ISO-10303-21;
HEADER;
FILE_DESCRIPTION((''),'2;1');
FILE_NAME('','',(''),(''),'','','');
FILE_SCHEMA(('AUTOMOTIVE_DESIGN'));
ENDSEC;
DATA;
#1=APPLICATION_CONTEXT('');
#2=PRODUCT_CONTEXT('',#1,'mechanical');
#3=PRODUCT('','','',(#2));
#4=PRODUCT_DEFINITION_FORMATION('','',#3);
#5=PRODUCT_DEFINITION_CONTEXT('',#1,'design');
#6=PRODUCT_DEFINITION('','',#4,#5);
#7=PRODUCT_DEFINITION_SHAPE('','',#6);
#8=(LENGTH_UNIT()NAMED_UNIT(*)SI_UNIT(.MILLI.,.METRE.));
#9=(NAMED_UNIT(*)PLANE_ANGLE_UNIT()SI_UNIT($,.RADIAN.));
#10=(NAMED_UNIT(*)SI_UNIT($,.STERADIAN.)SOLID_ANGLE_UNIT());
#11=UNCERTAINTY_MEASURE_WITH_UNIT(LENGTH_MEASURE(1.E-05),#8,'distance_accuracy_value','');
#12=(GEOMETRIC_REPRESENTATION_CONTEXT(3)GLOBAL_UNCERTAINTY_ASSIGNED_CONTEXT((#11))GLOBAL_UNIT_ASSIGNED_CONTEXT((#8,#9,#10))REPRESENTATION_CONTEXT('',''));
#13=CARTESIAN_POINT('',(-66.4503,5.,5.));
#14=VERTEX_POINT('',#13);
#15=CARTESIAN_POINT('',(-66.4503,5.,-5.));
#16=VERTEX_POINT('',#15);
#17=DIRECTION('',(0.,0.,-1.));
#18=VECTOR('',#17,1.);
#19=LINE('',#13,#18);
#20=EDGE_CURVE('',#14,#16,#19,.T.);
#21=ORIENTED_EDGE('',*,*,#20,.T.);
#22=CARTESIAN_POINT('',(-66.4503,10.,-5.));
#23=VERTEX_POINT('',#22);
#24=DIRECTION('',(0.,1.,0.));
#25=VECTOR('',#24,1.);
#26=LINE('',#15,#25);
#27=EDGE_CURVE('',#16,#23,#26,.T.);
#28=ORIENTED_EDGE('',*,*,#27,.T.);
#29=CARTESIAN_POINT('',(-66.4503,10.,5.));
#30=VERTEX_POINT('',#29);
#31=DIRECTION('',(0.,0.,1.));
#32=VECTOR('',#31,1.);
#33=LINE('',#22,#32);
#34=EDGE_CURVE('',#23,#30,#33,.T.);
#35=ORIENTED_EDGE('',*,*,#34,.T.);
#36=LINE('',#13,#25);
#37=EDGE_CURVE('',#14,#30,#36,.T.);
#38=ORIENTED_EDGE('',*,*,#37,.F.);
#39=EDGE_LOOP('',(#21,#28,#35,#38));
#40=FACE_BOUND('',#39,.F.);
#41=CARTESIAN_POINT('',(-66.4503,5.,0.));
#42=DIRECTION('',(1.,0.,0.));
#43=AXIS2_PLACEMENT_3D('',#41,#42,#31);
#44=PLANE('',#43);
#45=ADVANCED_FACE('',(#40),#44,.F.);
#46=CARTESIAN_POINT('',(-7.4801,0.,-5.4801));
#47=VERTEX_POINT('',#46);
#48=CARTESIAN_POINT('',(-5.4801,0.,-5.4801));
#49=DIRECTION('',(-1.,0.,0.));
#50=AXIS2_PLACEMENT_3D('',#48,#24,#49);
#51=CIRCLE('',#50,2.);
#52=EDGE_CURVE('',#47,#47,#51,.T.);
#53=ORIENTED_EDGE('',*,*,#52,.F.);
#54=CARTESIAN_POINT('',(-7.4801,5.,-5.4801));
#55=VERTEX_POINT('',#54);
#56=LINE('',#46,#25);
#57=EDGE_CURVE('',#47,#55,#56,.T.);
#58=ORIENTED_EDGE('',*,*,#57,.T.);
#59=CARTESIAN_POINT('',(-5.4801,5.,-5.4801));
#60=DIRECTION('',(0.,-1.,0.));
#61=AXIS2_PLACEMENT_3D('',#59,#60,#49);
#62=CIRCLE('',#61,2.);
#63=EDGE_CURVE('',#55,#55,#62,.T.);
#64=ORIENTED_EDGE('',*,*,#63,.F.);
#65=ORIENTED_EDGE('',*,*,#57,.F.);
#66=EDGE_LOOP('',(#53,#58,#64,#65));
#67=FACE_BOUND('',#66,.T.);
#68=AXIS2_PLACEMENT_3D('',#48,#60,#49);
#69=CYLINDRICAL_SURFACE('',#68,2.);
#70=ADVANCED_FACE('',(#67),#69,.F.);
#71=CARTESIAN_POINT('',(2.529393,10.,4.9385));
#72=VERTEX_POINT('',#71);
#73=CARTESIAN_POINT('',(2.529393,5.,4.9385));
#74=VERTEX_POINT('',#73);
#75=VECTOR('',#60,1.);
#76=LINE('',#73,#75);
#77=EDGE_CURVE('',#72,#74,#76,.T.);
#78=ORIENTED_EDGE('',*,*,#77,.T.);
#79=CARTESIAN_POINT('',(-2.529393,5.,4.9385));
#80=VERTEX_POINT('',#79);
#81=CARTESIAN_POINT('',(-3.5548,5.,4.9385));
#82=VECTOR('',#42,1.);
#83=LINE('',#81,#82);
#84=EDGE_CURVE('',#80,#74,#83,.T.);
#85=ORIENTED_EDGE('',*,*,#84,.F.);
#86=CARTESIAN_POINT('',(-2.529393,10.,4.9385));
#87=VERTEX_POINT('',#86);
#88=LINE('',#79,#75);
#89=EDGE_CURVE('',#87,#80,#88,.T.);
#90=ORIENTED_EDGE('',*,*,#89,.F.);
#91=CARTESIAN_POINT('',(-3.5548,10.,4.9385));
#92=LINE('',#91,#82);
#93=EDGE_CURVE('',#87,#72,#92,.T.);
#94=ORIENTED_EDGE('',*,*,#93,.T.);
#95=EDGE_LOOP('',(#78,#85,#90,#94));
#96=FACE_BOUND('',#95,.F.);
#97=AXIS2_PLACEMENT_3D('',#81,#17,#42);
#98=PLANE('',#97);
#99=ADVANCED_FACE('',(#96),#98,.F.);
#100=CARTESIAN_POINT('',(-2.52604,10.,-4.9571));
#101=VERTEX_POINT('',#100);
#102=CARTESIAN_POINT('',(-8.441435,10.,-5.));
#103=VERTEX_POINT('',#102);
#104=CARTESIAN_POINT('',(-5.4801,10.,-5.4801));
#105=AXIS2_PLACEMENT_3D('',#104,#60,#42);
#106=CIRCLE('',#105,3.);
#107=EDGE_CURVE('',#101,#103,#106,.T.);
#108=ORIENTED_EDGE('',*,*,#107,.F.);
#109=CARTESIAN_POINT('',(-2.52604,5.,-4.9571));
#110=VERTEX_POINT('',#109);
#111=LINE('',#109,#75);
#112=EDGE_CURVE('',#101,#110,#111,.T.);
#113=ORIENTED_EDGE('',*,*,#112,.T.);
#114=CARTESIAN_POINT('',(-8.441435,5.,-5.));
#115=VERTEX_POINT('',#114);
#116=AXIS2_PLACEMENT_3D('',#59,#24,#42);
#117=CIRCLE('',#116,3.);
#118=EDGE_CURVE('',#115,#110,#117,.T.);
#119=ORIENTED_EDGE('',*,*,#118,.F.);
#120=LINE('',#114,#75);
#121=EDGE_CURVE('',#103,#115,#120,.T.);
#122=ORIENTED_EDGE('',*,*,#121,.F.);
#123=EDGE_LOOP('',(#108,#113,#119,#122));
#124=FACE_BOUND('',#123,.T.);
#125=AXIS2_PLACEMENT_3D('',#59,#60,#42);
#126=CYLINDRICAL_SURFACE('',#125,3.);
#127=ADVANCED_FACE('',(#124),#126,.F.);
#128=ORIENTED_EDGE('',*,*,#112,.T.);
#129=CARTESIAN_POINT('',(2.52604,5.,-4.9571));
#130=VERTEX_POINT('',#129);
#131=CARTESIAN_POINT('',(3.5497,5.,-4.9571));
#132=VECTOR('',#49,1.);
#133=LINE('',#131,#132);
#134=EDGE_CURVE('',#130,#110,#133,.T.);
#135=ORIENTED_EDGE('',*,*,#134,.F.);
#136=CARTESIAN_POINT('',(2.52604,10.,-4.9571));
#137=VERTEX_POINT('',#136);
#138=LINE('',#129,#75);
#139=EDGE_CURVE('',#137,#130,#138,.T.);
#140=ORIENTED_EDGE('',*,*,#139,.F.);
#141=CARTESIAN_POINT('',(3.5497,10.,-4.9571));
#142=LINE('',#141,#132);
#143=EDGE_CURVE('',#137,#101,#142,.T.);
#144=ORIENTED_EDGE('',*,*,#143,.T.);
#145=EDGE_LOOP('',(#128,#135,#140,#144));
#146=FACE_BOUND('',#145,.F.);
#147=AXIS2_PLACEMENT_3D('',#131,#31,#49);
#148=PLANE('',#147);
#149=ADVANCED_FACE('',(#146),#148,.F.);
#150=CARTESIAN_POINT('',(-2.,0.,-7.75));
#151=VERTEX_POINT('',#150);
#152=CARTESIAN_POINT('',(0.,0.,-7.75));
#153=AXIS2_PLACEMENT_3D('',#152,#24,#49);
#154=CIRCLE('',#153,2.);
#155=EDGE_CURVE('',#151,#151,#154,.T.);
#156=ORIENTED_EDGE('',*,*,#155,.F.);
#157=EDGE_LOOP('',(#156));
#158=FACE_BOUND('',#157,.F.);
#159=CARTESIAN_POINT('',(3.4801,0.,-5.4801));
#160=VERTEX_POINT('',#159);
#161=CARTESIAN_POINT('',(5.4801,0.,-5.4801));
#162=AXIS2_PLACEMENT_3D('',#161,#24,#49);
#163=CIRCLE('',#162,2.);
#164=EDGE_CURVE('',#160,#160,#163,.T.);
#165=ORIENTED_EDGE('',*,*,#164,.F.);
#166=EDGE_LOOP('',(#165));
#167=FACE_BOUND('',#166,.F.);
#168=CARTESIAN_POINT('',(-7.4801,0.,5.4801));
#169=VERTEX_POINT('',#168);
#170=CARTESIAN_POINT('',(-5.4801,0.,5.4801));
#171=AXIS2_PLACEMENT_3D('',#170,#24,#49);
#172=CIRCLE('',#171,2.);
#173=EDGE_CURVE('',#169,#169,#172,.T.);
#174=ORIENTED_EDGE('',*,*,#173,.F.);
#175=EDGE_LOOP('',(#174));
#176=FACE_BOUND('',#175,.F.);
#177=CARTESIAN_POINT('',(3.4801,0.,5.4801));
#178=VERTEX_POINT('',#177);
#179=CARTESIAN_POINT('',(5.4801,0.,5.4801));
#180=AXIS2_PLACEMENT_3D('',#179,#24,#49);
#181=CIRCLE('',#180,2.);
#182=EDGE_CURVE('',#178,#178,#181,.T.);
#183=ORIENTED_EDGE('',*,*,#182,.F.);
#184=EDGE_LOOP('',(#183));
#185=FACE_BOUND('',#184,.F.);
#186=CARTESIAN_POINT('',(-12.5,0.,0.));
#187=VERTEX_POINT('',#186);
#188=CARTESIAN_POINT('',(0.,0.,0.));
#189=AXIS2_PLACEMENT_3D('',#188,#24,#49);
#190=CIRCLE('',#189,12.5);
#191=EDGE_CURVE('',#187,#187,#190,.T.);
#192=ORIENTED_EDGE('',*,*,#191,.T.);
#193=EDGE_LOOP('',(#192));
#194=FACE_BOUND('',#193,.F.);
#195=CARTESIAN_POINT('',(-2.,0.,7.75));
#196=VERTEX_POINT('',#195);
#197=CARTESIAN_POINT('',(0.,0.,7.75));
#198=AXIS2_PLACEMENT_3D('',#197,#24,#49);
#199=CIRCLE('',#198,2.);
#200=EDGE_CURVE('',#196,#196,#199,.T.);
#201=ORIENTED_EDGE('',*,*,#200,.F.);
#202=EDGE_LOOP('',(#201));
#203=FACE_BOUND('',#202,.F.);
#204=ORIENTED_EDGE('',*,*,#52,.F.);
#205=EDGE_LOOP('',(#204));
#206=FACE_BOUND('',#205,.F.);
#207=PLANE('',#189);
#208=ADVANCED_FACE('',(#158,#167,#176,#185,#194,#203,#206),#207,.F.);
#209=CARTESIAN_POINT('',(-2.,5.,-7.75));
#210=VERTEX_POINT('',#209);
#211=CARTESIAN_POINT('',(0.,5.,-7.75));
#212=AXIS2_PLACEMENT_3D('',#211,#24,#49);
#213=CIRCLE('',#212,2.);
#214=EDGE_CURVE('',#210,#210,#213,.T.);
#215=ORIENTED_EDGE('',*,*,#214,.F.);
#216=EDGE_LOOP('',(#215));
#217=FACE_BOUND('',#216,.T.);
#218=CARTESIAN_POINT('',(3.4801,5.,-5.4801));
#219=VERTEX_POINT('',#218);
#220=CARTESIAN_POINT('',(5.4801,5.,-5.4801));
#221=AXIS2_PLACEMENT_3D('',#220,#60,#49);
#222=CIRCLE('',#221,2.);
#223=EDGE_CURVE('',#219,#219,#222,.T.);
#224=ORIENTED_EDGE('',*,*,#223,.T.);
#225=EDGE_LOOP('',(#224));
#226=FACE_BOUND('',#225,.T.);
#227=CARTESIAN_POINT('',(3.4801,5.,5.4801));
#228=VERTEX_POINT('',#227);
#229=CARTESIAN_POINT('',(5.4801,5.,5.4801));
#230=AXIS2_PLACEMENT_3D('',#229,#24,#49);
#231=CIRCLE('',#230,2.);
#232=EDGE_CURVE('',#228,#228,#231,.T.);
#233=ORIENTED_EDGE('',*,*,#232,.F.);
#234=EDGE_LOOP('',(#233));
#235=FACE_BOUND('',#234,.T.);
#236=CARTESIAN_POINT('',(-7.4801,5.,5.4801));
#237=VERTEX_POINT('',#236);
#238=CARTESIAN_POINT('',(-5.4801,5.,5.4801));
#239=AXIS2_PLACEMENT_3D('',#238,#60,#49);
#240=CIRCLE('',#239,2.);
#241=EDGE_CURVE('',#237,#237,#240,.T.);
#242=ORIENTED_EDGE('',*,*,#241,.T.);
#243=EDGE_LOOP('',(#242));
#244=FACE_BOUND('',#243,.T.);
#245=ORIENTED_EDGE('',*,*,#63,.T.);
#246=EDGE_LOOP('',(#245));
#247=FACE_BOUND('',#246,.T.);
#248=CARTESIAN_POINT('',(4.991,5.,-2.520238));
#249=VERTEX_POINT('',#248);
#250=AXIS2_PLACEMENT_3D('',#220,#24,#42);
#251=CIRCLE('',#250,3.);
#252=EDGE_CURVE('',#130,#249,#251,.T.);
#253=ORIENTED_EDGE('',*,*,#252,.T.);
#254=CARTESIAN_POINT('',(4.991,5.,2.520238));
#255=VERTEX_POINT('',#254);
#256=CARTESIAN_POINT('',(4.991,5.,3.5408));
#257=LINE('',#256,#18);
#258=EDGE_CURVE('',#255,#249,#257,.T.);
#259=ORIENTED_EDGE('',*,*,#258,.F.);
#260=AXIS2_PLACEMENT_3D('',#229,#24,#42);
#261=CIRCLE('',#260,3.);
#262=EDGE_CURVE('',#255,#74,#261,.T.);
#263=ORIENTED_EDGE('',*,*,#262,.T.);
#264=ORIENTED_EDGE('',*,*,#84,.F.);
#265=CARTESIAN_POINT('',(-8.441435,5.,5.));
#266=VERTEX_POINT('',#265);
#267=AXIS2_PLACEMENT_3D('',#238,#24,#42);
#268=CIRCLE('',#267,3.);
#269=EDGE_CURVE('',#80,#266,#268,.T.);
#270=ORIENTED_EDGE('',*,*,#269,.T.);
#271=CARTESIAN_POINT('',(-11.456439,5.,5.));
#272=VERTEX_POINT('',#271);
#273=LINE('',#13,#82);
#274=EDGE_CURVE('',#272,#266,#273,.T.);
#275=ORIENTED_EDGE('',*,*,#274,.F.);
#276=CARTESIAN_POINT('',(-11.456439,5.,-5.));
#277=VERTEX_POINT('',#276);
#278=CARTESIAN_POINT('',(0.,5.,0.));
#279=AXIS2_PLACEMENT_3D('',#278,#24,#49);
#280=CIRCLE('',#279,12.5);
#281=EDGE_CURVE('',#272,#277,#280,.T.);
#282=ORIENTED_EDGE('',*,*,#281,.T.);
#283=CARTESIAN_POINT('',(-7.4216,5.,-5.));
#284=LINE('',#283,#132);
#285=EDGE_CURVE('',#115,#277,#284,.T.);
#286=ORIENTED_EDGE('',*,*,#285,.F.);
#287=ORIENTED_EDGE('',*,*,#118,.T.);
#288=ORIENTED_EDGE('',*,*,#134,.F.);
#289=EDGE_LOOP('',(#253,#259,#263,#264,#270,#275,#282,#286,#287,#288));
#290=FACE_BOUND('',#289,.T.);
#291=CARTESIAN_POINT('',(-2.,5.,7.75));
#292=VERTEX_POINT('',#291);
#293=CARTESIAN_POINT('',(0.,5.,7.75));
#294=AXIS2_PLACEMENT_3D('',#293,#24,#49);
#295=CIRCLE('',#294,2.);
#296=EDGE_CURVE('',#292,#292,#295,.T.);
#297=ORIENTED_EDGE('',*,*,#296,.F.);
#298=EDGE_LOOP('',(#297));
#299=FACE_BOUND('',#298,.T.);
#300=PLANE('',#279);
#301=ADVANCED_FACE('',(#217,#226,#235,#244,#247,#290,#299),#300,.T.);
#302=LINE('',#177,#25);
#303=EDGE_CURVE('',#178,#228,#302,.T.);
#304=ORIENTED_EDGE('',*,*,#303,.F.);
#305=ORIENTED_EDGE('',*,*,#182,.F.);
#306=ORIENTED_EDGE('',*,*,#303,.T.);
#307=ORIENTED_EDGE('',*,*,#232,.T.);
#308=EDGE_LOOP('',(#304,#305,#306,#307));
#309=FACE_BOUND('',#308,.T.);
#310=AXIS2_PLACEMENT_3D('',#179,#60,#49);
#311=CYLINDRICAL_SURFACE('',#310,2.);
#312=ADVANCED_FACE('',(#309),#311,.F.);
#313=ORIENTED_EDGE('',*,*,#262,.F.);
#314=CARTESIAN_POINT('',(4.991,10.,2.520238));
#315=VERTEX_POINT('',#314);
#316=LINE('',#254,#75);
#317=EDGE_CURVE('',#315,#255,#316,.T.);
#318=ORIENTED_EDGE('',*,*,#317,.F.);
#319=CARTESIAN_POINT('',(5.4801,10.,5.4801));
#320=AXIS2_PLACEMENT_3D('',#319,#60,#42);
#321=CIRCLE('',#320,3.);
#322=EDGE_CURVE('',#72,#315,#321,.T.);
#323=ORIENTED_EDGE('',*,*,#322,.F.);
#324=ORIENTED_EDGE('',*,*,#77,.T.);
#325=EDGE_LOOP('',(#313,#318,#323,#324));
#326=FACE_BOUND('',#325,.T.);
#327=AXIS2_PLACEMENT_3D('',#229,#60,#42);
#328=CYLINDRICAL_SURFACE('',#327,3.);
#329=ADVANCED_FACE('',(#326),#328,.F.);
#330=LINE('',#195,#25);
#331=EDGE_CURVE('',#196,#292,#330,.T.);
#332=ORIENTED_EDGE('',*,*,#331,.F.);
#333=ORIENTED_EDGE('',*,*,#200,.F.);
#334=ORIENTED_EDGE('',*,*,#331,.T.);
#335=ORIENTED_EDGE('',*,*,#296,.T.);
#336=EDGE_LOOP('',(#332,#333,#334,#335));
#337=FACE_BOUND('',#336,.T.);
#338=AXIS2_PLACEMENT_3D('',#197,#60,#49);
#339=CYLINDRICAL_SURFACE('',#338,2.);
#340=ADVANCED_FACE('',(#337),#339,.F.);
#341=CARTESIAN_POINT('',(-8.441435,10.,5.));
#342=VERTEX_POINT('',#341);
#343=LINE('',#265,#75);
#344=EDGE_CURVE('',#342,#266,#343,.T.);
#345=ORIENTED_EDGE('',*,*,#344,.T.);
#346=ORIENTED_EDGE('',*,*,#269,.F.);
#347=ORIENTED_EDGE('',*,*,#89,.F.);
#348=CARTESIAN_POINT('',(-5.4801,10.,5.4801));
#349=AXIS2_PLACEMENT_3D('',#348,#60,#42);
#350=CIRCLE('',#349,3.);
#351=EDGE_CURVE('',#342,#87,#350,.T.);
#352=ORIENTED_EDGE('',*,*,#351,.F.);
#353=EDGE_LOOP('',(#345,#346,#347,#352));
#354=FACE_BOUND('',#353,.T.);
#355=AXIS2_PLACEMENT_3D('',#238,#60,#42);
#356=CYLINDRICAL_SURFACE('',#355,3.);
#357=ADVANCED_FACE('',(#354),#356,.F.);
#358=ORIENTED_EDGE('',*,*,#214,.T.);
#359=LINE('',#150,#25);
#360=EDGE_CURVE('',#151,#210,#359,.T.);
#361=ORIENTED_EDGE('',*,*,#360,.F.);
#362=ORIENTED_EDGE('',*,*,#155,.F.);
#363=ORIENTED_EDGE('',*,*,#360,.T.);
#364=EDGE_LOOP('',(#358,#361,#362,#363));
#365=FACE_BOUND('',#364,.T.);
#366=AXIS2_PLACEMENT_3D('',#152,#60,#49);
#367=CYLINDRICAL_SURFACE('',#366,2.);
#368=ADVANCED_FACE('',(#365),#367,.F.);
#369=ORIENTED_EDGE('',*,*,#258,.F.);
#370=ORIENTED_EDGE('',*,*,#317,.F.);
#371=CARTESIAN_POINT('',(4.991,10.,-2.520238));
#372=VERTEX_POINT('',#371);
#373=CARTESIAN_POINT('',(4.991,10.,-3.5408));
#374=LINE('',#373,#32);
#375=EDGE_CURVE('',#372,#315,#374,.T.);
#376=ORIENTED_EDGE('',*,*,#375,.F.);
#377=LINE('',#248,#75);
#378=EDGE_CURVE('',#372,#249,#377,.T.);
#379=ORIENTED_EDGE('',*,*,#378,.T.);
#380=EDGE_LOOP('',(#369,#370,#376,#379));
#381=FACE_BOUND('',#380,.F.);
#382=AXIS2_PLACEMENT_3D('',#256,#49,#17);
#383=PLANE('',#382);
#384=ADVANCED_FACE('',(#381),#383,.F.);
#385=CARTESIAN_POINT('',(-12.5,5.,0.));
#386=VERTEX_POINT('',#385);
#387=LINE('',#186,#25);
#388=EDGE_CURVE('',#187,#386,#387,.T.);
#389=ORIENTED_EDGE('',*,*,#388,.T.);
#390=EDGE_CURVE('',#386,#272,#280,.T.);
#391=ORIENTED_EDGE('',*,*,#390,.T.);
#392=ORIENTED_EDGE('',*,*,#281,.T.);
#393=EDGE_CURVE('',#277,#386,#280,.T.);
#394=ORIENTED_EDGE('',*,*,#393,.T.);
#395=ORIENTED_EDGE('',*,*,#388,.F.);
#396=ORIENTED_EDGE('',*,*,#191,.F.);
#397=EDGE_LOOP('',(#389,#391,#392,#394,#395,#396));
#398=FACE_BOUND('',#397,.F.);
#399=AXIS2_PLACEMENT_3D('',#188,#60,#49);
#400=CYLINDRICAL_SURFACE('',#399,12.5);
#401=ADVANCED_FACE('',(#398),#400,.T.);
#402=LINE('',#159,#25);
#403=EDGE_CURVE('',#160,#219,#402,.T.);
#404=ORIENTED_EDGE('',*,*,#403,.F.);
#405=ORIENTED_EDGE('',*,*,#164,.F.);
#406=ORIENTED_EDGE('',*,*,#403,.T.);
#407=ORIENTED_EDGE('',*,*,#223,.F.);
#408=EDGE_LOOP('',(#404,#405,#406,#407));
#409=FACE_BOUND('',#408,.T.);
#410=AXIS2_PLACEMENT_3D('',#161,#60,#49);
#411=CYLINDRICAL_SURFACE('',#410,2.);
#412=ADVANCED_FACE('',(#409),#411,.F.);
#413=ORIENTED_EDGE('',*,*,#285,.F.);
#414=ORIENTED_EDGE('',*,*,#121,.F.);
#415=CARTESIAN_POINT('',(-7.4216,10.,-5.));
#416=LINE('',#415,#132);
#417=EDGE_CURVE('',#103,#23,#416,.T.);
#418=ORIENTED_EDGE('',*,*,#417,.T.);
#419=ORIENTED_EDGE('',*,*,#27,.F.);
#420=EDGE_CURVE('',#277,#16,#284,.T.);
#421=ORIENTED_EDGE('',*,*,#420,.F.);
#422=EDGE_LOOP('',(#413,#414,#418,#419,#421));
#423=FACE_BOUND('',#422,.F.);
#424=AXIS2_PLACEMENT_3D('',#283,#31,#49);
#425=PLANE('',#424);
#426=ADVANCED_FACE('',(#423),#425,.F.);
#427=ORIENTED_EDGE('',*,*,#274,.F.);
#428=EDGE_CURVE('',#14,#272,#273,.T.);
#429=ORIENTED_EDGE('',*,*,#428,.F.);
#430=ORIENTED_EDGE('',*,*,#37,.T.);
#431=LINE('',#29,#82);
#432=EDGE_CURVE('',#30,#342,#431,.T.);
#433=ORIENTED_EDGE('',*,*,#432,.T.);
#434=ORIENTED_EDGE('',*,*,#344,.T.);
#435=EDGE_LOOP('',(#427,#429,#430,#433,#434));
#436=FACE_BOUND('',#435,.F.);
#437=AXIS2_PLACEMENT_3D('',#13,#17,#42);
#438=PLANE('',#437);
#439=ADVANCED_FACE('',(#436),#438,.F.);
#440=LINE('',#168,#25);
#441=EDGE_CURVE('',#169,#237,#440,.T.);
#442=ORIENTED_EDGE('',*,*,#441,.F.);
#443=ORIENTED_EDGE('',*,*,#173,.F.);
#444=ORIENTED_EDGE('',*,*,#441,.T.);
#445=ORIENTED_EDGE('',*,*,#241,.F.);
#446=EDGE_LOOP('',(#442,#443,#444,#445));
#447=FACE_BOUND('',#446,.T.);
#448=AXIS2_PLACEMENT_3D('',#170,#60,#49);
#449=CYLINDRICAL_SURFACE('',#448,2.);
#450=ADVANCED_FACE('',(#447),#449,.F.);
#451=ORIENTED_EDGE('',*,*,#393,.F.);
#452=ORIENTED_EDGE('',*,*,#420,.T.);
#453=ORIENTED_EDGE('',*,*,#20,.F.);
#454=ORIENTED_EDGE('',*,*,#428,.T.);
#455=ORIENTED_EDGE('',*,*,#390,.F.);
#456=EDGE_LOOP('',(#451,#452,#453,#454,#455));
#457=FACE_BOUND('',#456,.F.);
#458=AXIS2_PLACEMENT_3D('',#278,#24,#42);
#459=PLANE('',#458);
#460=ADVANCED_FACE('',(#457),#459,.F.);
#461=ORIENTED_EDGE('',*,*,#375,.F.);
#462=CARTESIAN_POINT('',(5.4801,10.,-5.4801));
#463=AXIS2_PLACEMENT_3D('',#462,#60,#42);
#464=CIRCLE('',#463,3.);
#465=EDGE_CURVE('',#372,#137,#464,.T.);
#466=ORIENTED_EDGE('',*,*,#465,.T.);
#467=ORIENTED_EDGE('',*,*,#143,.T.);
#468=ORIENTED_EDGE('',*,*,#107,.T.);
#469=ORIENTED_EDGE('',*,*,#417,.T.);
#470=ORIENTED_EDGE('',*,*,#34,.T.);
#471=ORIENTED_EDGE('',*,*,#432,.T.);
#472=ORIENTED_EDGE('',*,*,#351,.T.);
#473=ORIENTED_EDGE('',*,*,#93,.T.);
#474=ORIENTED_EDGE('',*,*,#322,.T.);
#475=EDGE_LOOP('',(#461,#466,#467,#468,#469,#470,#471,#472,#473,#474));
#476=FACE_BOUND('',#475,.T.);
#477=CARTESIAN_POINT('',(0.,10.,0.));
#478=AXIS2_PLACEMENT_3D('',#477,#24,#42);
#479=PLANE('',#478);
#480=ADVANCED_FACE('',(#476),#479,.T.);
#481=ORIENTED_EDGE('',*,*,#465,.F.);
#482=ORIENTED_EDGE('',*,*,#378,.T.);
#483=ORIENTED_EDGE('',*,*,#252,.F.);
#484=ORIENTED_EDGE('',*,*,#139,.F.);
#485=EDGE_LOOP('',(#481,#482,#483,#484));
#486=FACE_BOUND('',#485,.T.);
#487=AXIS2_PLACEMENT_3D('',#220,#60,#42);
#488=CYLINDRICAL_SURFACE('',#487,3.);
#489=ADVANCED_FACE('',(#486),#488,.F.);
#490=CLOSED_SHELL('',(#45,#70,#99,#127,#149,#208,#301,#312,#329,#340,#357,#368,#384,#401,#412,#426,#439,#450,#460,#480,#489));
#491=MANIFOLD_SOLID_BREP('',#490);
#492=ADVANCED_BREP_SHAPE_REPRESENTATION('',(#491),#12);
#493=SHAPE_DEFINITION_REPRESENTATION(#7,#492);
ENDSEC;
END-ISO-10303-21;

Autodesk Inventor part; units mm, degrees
ref_plane "YZ Plane" through (0, 0, 0) normal (1, 0, 0) x (0, 1, 0)
ref_plane "XZ Plane" through (0, 0, 0) normal (0, 1, 0) x (-1, 0, 0)
ref_plane "XY Plane" through (0, 0, 0) normal (0, 0, 1) x (1, 0, 0)
sketch "Sketch1" plane through (0, 0, 0) normal (0, 1, 0) x (-1, 0, 0)
  circle A0 centre (0, 0) radius 12.5
  line L0 (0, 0) -> (7.75, 0) construction
  circle A1 centre (5.4801, -5.4801) radius 2
  circle A2 centre (-5.4801, -5.4801) radius 2
  circle A3 centre (-5.4801, 5.4801) radius 2
  circle A4 centre (5.4801, 5.4801) radius 2
  circle A5 centre (0, -7.75) radius 2
  circle A6 centre (0, 7.75) radius 2
  dimension "d0" = 25
  dimension "d3" = 4
  dimension "d6" = 360
  dimension "d8" = 4
  dimension "d11" = 360
extrude "Extrusion1" add sketch "Sketch1" along normal blind 5
sketch "Sketch2" plane through (0, 5, 0) normal (0, 1, 0) x (1, 0, 0)
  line L0 (4.991, -3.5408) -> (4.991, 3.5408)
  line L1 (-66.4503, 5) -> (-66.4503, -5)
  line L2 (4.991, -4.9385) -> (14.991, -4.9385) construction
  line L3 (-82.7386, 0) -> (31.2793, 0) projected
  arc A0 (-3.5548, -4.9385) -> (-7.4216, -5) centre (-5.4801, -5.4801) ccw
  line L4 (-66.4503, -5) -> (-7.4216, -5)
  line L5 (-3.5548, -4.9385) -> (3.5548, -4.9385)
  circle A1 centre (-5.4801, 5.4801) radius 2 projected
  arc A2 (-7.4216, 5) -> (-3.5497, 4.9571) centre (-5.4801, 5.4801) ccw
  line L6 (3.5497, 4.9571) -> (-3.5497, 4.9571)
  line L7 (-7.4216, 5) -> (-66.4503, 5)
  arc A3 (4.991, -3.5408) -> (3.5548, -4.9385) centre (5.4801, -5.4801) ccw
  circle A4 centre (5.4801, 5.4801) radius 2 projected
  arc A5 (3.5497, 4.9571) -> (4.991, 3.5408) centre (5.4801, 5.4801) ccw
  dimension "d24" = 10
  dimension "d25" = 90
  dimension "d26" = 70
  dimension "d27" = 4
  dimension "d28" = 4
  dimension "d29" = 4
  dimension "d30" = 4
extrude "Extrusion2" add sketch "Sketch2" along normal blind 5 contours A3 L5 A0 L4 L1 L3 L0 | L3 L1 L7 A1 L6 A4 L0
sketch "Sketch4" plane through (0, 10, 0) normal (0, 1, 0) x (1, 0, 0)
  line L0 (-3.5548, -4.9385) -> (3.5548, -4.9385) projected
  line L1 (-3.5548, -4.9385) -> (3.5548, -4.9385)
  line L2 (3.5497, 4.9571) -> (-3.5497, 4.9571) projected
  line L3 (-3.5497, 4.9571) -> (3.5497, 4.9571)
  line L4 (-4.4956, -10.2074) -> (2.6201, -10.2074)
  point P0 (0, 0)
sketch "Sketch8" plane through (0, 5, 0) normal (0, 1, 0) x (1, 0, 0)
  circle A0 centre (-5.4801, 5.4801) radius 2 projected
  circle A1 centre (-5.4801, 5.4801) radius 3
  circle A2 centre (-5.4801, -5.4801) radius 2 projected
  circle A3 centre (-5.4801, -5.4801) radius 3
  circle A4 centre (5.4801, 5.4801) radius 2 projected
  circle A5 centre (5.4801, 5.4801) radius 3
  arc A6 (3.5548, -4.9385) -> (4.991, -3.5408) centre (5.4801, -5.4801) ccw projected
  circle A7 centre (5.4801, -5.4801) radius 3
  point P0 (0, 0)
  dimension "d50" = 6
  dimension "d51" = 6
  dimension "d52" = 6
  dimension "d53" = 6
extrude "Extrusion6" cut sketch "Sketch8" along normal blind 39.25 contours A0 | A1 | A2 | A3 | A4 | A5 | A7
sketch "Sketch33" plane through (0, 10, 0) normal (0, 1, 0) x (1, 0, 0)
  line L0 (-2.5294, -4.9385) -> (2.5294, -4.9385) projected
  arc A0 (-8.4414, 5) -> (-2.526, 4.9571) centre (-5.4801, 5.4801) ccw projected
  line L1 (-2.5294, -4.9385) -> (-2.526, 4.9571)
  line L2 (-2.526, 4.9571) -> (-2.526, 4.9571)
  line L3 (2.526, 4.9571) -> (-2.526, 4.9571) projected
  line L4 (-2.526, 4.9571) -> (-2.5215, 18.4671)
  line L5 (-2.5215, 18.4671) -> (-2.534, -18.5329)
  point P0 (0, 0)
  dimension "d105" = 13.51
  dimension "d106" = 37
sketch "Sketch34" plane through (-66.4503, 5, -5) normal (-1, 0, 0) x (0, 0, 1)
  point P0 (5, -5)
properties part number "US holder1"
